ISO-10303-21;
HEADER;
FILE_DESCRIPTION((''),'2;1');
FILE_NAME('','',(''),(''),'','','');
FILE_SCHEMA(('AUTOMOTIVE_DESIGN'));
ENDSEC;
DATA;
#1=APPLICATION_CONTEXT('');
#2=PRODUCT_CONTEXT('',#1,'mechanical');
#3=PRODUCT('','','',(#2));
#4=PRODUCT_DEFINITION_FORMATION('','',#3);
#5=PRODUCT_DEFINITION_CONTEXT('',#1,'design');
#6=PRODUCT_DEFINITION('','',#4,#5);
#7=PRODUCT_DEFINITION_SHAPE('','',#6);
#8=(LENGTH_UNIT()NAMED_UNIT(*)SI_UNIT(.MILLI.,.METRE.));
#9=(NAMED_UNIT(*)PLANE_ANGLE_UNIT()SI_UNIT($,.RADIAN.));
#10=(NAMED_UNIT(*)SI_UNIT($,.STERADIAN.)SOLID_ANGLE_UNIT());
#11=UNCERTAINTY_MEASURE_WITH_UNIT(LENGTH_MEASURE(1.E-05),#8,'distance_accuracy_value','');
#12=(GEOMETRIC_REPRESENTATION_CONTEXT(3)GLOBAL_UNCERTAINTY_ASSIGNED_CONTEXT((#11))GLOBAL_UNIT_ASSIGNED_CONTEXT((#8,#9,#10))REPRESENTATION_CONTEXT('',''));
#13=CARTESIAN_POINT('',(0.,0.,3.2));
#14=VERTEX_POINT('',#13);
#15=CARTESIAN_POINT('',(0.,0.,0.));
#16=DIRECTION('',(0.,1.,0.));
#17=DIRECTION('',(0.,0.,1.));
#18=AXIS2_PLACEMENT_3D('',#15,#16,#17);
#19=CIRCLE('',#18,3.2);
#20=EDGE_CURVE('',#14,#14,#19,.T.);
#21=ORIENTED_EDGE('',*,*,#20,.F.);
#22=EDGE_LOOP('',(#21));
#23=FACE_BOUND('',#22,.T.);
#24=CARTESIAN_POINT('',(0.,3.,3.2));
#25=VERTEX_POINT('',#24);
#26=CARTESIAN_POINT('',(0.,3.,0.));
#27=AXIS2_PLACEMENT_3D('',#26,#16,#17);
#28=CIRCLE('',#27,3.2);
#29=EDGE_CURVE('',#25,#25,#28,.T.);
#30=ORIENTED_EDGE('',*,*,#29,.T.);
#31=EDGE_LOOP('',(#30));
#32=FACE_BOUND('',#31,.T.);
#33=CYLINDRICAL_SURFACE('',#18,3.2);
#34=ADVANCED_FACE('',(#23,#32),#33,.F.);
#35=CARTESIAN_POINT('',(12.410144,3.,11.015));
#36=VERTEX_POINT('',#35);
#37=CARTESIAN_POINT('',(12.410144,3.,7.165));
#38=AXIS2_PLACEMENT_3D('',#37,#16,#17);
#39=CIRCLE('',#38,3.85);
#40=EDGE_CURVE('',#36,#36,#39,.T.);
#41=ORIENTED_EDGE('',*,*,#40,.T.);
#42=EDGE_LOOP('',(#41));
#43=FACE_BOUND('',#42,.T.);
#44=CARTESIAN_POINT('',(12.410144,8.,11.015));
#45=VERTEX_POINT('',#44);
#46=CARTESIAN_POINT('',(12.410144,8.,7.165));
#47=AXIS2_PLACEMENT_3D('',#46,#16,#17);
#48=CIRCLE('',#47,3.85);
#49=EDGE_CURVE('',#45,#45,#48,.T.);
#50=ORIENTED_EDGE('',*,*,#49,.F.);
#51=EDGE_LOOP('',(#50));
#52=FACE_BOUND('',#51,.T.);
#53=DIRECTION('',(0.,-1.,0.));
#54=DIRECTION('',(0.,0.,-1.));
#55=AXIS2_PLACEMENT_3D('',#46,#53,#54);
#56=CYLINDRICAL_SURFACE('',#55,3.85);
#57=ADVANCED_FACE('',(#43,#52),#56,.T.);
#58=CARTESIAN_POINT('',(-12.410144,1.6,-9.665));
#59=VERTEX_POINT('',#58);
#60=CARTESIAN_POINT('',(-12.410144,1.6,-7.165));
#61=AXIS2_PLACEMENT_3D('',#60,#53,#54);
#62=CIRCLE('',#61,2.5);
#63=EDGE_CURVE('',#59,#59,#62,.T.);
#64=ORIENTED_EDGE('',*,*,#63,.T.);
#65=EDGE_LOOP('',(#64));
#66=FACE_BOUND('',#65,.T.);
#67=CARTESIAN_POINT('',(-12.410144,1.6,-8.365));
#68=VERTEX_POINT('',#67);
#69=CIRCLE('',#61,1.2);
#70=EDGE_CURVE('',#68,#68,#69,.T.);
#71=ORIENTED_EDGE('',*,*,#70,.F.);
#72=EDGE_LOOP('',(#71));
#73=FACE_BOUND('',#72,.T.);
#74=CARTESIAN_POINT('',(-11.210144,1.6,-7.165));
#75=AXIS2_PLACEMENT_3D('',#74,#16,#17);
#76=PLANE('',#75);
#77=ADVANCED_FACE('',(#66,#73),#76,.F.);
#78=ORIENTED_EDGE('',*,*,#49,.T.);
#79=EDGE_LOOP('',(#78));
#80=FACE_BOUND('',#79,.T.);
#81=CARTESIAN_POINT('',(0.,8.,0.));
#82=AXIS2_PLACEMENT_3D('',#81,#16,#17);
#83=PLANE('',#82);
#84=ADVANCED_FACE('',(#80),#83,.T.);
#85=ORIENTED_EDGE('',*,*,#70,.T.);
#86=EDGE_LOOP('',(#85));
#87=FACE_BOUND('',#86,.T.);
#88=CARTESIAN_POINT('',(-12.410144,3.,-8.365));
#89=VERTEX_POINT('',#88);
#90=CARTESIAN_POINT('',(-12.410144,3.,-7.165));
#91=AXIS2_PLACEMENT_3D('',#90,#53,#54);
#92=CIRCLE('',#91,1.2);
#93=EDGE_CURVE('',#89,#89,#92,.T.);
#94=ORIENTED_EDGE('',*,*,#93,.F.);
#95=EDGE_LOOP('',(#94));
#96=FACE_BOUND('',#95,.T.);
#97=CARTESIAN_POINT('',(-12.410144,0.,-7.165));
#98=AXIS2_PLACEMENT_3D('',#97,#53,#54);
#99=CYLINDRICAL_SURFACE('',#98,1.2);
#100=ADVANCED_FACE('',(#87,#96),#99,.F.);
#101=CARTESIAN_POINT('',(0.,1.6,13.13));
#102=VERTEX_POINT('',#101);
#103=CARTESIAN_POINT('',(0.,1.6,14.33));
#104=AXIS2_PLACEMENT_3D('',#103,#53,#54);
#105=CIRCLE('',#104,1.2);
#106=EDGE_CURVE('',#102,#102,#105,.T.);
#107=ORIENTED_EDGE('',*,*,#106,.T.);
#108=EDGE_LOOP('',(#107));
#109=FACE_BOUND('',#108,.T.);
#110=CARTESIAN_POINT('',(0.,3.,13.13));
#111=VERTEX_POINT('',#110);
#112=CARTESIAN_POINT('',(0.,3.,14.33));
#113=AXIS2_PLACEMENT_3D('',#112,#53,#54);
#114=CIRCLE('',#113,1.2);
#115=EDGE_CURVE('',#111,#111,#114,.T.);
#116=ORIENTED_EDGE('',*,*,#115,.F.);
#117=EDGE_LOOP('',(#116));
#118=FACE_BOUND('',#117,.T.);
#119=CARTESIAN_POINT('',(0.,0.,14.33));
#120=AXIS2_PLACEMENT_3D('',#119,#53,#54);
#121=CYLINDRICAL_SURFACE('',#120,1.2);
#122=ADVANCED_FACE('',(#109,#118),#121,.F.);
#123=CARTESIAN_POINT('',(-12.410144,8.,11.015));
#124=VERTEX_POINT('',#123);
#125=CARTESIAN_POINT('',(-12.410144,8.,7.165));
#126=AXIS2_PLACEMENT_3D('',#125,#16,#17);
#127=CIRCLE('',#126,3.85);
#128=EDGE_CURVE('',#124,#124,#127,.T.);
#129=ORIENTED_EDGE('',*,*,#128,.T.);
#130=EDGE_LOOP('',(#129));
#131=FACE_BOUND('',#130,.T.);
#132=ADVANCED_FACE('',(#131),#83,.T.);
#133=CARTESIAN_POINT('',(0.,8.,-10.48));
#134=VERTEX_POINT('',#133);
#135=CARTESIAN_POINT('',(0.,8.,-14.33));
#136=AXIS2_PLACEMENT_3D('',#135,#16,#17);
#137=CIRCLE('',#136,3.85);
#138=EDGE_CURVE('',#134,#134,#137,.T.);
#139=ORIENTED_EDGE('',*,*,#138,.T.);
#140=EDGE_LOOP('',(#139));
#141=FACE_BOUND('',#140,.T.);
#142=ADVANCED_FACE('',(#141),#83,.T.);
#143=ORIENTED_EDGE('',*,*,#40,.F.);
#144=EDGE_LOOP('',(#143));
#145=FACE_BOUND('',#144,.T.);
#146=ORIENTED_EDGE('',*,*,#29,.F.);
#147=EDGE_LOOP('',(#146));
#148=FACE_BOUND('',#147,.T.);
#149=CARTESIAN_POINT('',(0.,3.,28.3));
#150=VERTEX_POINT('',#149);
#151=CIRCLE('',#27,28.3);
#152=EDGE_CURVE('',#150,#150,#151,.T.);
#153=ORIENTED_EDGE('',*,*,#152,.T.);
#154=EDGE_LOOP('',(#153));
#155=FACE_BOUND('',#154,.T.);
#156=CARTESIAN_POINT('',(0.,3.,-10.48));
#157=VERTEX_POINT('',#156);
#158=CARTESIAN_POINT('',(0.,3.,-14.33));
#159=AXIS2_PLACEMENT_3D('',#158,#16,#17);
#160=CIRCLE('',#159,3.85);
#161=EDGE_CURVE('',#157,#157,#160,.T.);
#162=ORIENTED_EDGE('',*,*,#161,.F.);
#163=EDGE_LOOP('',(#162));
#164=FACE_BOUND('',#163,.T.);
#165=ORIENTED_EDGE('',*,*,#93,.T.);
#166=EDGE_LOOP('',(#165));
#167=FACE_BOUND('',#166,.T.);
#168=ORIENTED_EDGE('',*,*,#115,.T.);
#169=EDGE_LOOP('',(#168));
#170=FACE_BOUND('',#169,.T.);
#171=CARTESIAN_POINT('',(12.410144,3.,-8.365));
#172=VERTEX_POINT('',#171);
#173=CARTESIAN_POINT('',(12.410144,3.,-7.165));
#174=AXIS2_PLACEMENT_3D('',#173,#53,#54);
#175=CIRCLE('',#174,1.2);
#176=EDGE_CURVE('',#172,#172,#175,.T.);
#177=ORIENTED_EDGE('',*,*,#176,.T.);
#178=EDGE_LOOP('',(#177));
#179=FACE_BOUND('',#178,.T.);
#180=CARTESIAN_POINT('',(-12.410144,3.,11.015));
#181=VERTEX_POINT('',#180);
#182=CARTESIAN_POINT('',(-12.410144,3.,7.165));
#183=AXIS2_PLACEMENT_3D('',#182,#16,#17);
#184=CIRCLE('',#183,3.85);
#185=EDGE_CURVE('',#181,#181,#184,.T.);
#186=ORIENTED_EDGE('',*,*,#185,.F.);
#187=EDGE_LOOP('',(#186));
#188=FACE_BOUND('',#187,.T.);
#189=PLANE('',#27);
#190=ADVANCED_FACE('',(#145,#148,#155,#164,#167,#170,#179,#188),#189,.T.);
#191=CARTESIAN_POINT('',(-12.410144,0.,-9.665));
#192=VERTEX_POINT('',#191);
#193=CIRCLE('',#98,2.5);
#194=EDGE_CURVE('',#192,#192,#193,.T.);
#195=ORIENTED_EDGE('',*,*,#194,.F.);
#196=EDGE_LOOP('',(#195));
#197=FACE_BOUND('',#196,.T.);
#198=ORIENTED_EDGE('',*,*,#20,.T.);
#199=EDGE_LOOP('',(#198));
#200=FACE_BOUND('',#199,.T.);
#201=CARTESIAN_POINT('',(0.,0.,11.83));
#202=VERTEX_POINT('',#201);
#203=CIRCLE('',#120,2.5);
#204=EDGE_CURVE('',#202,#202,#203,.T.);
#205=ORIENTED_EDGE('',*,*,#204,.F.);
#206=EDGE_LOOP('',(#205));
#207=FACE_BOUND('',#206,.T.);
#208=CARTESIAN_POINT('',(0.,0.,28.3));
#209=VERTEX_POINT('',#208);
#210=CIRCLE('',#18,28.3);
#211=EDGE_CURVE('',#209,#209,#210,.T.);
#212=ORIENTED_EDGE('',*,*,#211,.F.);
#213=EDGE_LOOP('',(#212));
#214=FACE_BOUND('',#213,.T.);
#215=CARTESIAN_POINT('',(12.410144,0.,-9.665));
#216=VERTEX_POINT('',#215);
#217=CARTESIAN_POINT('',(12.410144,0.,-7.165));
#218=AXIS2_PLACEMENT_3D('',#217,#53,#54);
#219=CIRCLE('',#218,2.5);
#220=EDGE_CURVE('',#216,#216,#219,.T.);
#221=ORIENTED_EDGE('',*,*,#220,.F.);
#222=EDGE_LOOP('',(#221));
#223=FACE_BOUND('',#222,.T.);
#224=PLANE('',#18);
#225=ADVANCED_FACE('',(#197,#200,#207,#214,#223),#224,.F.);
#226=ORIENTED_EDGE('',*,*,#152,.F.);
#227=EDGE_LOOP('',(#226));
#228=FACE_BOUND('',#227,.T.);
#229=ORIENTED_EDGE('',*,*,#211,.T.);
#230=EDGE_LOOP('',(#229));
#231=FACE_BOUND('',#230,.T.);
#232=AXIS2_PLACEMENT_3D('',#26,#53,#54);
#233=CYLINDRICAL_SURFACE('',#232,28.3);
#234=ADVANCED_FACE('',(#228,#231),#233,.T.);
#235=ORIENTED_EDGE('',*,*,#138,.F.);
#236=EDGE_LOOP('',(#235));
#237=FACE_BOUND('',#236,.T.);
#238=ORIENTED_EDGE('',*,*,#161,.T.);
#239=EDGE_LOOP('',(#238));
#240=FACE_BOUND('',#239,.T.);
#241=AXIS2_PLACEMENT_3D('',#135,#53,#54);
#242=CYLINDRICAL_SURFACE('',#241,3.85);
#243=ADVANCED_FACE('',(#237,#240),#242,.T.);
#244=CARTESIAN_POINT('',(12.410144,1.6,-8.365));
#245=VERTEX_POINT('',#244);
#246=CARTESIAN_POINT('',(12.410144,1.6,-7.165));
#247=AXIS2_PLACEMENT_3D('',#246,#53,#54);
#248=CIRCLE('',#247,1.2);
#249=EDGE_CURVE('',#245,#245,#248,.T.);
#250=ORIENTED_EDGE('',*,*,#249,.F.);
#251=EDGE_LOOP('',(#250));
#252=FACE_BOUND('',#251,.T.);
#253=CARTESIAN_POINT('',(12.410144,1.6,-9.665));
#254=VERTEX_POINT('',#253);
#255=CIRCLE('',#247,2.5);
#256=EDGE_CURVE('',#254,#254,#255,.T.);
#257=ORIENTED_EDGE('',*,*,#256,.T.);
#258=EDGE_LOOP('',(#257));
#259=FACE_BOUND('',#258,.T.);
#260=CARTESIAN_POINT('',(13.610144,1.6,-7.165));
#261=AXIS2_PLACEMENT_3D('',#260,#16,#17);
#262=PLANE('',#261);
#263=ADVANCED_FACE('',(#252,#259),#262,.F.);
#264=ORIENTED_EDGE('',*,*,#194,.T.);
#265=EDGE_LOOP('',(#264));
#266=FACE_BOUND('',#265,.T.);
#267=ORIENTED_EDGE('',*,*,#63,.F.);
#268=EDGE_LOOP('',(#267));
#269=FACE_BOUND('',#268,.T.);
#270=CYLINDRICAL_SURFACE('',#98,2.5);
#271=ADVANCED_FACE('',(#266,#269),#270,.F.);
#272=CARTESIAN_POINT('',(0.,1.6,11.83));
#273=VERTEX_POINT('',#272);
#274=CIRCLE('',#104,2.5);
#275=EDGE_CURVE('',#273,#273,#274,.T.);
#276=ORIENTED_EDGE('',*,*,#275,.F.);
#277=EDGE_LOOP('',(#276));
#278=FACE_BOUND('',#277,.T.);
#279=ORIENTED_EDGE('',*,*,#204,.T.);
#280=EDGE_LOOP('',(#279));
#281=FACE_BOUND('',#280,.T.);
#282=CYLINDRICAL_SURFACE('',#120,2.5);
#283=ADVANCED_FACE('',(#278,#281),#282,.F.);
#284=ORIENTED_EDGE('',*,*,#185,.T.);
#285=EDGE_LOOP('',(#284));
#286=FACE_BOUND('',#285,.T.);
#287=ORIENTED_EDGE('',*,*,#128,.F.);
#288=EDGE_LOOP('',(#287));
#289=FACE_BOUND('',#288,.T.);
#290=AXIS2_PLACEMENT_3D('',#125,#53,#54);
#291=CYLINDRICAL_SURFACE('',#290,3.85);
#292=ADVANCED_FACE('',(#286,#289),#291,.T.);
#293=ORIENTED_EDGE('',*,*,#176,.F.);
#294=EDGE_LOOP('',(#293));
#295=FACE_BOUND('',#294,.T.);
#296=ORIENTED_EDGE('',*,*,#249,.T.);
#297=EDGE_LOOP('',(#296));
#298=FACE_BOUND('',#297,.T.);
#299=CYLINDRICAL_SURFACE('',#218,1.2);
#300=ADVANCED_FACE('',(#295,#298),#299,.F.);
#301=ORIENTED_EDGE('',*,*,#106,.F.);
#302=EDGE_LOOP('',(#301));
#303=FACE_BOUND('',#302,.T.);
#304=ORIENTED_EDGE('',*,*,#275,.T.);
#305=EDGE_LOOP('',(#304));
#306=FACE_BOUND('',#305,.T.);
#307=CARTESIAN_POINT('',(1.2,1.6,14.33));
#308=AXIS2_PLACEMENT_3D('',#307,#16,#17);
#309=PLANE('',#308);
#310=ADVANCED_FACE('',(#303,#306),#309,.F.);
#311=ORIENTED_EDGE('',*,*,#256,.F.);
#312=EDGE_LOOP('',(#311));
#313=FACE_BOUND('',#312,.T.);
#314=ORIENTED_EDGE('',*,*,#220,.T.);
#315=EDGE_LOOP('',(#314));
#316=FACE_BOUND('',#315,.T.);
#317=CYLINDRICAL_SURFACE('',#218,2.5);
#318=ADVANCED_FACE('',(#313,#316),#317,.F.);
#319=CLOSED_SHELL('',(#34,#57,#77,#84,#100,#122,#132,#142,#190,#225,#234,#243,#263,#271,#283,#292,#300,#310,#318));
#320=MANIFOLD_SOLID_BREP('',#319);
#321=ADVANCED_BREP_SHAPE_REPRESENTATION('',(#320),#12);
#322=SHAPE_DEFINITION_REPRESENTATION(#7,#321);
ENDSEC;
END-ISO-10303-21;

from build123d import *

# Parameters (mm, degrees)
SKETCH_1_R                   = 3.85
EXTRUDE_1_DEPTH              = 8
EXTRUDE_1_2_DEPTH            = 8
EXTRUDE_1_3_DEPTH            = 8
SKETCH_1_3_R                 = 28.3
SKETCH_1_3_R_2               = 3.85
SKETCH_1_3_R_3               = 0.5
EXTRUDE_2_DEPTH              = 3
SKETCH_2_R                   = 3.2
CUT_EXTRUDE_1_DEPTH          = 41.333360882
HOLE_WIZARD_M2_1_D           = 2.4
HOLE_WIZARD_M2_1_DEPTH       = 3
HOLE_WIZARD_M2_1_CBORE_D     = 5
HOLE_WIZARD_M2_1_CBORE_DEPTH = 1.6
HOLE_WIZARD_M2_1_TIP         = 0.721032743


with BuildPart() as part:
    # 스케치1 → 보스-돌출1 (new body)
    with BuildSketch(Plane(origin=(0, 0, 0), x_dir=(1, 0, 0), z_dir=(0, 1, 0))):
        with Locations((0, 14.33)):
            Circle(SKETCH_1_R)
    extrude(amount=EXTRUDE_1_DEPTH)



with BuildPart() as body_2:
    # 스케치1 → Extrude 1 2 (new body)
    with BuildSketch(Plane(origin=(0, 0, 0), x_dir=(1, 0, 0), z_dir=(0, 1, 0))):
        with Locations((12.410144036, -7.165)):
            Circle(SKETCH_1_R)
    extrude(amount=EXTRUDE_1_2_DEPTH)


with BuildPart() as body_3:
    # 스케치1 → Extrude 1 3 (new body)
    with BuildSketch(Plane(origin=(0, 0, 0), x_dir=(1, 0, 0), z_dir=(0, 1, 0))):
        with Locations((-12.410144036, -7.165)):
            Circle(SKETCH_1_R)
    extrude(amount=EXTRUDE_1_3_DEPTH)


with BuildPart() as part_1:
    add(part.part)

    add(body_2.part)  # 보스-돌출2 merges body 2

    add(body_3.part)  # 보스-돌출2 merges body 3
    # 스케치1<3> → 보스-돌출2 (add)
    with BuildSketch(Plane(origin=(0, 0, 0), x_dir=(1, 0, 0), z_dir=(0, 1, 0))):
        Circle(SKETCH_1_3_R)
        with Locations((-12.410144036, -7.165)):
            Circle(SKETCH_1_3_R_2, mode=Mode.SUBTRACT)
        with Locations((0, -14.33)):
            Circle(SKETCH_1_3_R_3, mode=Mode.SUBTRACT)
        with Locations((12.410144036, -7.165)):
            Circle(SKETCH_1_3_R_2, mode=Mode.SUBTRACT)
        with Locations((-12.410144036, 7.165)):
            Circle(SKETCH_1_3_R_3, mode=Mode.SUBTRACT)
        with Locations((12.410144036, 7.165)):
            Circle(SKETCH_1_3_R_3, mode=Mode.SUBTRACT)
        with BuildLine():
            ThreePointArc((0, 18.18), (2.722361108, 17.052361108), (3.85, 14.33))
            ThreePointArc((3.85, 14.33), (-2.722361108, 11.607638892), (0, 18.18))
        make_face(mode=Mode.SUBTRACT)
    extrude(amount=EXTRUDE_2_DEPTH)

    # 스케치2 → 컷-돌출1 (cut, through all)
    with BuildSketch(Plane(origin=(0, 3, 0), x_dir=(1, 0, 0), z_dir=(0, 1, 0))):
        Circle(SKETCH_2_R)
    extrude(amount=-CUT_EXTRUDE_1_DEPTH, mode=Mode.SUBTRACT)

    # M2 남비 머리 나사용 카운터보어1
    with Locations(Plane(origin=(0, 0, 0), x_dir=(-1, 0, 0), z_dir=(0, -1, 0))):
        with Locations((0, -14.33), (12.410144036, 7.165), (-12.410144036, 7.165)):
            CounterBoreHole(HOLE_WIZARD_M2_1_D / 2, HOLE_WIZARD_M2_1_CBORE_D / 2, HOLE_WIZARD_M2_1_CBORE_DEPTH, depth=HOLE_WIZARD_M2_1_DEPTH)
            with Locations((0, 0, -(HOLE_WIZARD_M2_1_DEPTH + HOLE_WIZARD_M2_1_TIP / 2))):  # 118° drill point
                Cone(0, HOLE_WIZARD_M2_1_D / 2, HOLE_WIZARD_M2_1_TIP, mode=Mode.SUBTRACT)


solid = part_1.part
